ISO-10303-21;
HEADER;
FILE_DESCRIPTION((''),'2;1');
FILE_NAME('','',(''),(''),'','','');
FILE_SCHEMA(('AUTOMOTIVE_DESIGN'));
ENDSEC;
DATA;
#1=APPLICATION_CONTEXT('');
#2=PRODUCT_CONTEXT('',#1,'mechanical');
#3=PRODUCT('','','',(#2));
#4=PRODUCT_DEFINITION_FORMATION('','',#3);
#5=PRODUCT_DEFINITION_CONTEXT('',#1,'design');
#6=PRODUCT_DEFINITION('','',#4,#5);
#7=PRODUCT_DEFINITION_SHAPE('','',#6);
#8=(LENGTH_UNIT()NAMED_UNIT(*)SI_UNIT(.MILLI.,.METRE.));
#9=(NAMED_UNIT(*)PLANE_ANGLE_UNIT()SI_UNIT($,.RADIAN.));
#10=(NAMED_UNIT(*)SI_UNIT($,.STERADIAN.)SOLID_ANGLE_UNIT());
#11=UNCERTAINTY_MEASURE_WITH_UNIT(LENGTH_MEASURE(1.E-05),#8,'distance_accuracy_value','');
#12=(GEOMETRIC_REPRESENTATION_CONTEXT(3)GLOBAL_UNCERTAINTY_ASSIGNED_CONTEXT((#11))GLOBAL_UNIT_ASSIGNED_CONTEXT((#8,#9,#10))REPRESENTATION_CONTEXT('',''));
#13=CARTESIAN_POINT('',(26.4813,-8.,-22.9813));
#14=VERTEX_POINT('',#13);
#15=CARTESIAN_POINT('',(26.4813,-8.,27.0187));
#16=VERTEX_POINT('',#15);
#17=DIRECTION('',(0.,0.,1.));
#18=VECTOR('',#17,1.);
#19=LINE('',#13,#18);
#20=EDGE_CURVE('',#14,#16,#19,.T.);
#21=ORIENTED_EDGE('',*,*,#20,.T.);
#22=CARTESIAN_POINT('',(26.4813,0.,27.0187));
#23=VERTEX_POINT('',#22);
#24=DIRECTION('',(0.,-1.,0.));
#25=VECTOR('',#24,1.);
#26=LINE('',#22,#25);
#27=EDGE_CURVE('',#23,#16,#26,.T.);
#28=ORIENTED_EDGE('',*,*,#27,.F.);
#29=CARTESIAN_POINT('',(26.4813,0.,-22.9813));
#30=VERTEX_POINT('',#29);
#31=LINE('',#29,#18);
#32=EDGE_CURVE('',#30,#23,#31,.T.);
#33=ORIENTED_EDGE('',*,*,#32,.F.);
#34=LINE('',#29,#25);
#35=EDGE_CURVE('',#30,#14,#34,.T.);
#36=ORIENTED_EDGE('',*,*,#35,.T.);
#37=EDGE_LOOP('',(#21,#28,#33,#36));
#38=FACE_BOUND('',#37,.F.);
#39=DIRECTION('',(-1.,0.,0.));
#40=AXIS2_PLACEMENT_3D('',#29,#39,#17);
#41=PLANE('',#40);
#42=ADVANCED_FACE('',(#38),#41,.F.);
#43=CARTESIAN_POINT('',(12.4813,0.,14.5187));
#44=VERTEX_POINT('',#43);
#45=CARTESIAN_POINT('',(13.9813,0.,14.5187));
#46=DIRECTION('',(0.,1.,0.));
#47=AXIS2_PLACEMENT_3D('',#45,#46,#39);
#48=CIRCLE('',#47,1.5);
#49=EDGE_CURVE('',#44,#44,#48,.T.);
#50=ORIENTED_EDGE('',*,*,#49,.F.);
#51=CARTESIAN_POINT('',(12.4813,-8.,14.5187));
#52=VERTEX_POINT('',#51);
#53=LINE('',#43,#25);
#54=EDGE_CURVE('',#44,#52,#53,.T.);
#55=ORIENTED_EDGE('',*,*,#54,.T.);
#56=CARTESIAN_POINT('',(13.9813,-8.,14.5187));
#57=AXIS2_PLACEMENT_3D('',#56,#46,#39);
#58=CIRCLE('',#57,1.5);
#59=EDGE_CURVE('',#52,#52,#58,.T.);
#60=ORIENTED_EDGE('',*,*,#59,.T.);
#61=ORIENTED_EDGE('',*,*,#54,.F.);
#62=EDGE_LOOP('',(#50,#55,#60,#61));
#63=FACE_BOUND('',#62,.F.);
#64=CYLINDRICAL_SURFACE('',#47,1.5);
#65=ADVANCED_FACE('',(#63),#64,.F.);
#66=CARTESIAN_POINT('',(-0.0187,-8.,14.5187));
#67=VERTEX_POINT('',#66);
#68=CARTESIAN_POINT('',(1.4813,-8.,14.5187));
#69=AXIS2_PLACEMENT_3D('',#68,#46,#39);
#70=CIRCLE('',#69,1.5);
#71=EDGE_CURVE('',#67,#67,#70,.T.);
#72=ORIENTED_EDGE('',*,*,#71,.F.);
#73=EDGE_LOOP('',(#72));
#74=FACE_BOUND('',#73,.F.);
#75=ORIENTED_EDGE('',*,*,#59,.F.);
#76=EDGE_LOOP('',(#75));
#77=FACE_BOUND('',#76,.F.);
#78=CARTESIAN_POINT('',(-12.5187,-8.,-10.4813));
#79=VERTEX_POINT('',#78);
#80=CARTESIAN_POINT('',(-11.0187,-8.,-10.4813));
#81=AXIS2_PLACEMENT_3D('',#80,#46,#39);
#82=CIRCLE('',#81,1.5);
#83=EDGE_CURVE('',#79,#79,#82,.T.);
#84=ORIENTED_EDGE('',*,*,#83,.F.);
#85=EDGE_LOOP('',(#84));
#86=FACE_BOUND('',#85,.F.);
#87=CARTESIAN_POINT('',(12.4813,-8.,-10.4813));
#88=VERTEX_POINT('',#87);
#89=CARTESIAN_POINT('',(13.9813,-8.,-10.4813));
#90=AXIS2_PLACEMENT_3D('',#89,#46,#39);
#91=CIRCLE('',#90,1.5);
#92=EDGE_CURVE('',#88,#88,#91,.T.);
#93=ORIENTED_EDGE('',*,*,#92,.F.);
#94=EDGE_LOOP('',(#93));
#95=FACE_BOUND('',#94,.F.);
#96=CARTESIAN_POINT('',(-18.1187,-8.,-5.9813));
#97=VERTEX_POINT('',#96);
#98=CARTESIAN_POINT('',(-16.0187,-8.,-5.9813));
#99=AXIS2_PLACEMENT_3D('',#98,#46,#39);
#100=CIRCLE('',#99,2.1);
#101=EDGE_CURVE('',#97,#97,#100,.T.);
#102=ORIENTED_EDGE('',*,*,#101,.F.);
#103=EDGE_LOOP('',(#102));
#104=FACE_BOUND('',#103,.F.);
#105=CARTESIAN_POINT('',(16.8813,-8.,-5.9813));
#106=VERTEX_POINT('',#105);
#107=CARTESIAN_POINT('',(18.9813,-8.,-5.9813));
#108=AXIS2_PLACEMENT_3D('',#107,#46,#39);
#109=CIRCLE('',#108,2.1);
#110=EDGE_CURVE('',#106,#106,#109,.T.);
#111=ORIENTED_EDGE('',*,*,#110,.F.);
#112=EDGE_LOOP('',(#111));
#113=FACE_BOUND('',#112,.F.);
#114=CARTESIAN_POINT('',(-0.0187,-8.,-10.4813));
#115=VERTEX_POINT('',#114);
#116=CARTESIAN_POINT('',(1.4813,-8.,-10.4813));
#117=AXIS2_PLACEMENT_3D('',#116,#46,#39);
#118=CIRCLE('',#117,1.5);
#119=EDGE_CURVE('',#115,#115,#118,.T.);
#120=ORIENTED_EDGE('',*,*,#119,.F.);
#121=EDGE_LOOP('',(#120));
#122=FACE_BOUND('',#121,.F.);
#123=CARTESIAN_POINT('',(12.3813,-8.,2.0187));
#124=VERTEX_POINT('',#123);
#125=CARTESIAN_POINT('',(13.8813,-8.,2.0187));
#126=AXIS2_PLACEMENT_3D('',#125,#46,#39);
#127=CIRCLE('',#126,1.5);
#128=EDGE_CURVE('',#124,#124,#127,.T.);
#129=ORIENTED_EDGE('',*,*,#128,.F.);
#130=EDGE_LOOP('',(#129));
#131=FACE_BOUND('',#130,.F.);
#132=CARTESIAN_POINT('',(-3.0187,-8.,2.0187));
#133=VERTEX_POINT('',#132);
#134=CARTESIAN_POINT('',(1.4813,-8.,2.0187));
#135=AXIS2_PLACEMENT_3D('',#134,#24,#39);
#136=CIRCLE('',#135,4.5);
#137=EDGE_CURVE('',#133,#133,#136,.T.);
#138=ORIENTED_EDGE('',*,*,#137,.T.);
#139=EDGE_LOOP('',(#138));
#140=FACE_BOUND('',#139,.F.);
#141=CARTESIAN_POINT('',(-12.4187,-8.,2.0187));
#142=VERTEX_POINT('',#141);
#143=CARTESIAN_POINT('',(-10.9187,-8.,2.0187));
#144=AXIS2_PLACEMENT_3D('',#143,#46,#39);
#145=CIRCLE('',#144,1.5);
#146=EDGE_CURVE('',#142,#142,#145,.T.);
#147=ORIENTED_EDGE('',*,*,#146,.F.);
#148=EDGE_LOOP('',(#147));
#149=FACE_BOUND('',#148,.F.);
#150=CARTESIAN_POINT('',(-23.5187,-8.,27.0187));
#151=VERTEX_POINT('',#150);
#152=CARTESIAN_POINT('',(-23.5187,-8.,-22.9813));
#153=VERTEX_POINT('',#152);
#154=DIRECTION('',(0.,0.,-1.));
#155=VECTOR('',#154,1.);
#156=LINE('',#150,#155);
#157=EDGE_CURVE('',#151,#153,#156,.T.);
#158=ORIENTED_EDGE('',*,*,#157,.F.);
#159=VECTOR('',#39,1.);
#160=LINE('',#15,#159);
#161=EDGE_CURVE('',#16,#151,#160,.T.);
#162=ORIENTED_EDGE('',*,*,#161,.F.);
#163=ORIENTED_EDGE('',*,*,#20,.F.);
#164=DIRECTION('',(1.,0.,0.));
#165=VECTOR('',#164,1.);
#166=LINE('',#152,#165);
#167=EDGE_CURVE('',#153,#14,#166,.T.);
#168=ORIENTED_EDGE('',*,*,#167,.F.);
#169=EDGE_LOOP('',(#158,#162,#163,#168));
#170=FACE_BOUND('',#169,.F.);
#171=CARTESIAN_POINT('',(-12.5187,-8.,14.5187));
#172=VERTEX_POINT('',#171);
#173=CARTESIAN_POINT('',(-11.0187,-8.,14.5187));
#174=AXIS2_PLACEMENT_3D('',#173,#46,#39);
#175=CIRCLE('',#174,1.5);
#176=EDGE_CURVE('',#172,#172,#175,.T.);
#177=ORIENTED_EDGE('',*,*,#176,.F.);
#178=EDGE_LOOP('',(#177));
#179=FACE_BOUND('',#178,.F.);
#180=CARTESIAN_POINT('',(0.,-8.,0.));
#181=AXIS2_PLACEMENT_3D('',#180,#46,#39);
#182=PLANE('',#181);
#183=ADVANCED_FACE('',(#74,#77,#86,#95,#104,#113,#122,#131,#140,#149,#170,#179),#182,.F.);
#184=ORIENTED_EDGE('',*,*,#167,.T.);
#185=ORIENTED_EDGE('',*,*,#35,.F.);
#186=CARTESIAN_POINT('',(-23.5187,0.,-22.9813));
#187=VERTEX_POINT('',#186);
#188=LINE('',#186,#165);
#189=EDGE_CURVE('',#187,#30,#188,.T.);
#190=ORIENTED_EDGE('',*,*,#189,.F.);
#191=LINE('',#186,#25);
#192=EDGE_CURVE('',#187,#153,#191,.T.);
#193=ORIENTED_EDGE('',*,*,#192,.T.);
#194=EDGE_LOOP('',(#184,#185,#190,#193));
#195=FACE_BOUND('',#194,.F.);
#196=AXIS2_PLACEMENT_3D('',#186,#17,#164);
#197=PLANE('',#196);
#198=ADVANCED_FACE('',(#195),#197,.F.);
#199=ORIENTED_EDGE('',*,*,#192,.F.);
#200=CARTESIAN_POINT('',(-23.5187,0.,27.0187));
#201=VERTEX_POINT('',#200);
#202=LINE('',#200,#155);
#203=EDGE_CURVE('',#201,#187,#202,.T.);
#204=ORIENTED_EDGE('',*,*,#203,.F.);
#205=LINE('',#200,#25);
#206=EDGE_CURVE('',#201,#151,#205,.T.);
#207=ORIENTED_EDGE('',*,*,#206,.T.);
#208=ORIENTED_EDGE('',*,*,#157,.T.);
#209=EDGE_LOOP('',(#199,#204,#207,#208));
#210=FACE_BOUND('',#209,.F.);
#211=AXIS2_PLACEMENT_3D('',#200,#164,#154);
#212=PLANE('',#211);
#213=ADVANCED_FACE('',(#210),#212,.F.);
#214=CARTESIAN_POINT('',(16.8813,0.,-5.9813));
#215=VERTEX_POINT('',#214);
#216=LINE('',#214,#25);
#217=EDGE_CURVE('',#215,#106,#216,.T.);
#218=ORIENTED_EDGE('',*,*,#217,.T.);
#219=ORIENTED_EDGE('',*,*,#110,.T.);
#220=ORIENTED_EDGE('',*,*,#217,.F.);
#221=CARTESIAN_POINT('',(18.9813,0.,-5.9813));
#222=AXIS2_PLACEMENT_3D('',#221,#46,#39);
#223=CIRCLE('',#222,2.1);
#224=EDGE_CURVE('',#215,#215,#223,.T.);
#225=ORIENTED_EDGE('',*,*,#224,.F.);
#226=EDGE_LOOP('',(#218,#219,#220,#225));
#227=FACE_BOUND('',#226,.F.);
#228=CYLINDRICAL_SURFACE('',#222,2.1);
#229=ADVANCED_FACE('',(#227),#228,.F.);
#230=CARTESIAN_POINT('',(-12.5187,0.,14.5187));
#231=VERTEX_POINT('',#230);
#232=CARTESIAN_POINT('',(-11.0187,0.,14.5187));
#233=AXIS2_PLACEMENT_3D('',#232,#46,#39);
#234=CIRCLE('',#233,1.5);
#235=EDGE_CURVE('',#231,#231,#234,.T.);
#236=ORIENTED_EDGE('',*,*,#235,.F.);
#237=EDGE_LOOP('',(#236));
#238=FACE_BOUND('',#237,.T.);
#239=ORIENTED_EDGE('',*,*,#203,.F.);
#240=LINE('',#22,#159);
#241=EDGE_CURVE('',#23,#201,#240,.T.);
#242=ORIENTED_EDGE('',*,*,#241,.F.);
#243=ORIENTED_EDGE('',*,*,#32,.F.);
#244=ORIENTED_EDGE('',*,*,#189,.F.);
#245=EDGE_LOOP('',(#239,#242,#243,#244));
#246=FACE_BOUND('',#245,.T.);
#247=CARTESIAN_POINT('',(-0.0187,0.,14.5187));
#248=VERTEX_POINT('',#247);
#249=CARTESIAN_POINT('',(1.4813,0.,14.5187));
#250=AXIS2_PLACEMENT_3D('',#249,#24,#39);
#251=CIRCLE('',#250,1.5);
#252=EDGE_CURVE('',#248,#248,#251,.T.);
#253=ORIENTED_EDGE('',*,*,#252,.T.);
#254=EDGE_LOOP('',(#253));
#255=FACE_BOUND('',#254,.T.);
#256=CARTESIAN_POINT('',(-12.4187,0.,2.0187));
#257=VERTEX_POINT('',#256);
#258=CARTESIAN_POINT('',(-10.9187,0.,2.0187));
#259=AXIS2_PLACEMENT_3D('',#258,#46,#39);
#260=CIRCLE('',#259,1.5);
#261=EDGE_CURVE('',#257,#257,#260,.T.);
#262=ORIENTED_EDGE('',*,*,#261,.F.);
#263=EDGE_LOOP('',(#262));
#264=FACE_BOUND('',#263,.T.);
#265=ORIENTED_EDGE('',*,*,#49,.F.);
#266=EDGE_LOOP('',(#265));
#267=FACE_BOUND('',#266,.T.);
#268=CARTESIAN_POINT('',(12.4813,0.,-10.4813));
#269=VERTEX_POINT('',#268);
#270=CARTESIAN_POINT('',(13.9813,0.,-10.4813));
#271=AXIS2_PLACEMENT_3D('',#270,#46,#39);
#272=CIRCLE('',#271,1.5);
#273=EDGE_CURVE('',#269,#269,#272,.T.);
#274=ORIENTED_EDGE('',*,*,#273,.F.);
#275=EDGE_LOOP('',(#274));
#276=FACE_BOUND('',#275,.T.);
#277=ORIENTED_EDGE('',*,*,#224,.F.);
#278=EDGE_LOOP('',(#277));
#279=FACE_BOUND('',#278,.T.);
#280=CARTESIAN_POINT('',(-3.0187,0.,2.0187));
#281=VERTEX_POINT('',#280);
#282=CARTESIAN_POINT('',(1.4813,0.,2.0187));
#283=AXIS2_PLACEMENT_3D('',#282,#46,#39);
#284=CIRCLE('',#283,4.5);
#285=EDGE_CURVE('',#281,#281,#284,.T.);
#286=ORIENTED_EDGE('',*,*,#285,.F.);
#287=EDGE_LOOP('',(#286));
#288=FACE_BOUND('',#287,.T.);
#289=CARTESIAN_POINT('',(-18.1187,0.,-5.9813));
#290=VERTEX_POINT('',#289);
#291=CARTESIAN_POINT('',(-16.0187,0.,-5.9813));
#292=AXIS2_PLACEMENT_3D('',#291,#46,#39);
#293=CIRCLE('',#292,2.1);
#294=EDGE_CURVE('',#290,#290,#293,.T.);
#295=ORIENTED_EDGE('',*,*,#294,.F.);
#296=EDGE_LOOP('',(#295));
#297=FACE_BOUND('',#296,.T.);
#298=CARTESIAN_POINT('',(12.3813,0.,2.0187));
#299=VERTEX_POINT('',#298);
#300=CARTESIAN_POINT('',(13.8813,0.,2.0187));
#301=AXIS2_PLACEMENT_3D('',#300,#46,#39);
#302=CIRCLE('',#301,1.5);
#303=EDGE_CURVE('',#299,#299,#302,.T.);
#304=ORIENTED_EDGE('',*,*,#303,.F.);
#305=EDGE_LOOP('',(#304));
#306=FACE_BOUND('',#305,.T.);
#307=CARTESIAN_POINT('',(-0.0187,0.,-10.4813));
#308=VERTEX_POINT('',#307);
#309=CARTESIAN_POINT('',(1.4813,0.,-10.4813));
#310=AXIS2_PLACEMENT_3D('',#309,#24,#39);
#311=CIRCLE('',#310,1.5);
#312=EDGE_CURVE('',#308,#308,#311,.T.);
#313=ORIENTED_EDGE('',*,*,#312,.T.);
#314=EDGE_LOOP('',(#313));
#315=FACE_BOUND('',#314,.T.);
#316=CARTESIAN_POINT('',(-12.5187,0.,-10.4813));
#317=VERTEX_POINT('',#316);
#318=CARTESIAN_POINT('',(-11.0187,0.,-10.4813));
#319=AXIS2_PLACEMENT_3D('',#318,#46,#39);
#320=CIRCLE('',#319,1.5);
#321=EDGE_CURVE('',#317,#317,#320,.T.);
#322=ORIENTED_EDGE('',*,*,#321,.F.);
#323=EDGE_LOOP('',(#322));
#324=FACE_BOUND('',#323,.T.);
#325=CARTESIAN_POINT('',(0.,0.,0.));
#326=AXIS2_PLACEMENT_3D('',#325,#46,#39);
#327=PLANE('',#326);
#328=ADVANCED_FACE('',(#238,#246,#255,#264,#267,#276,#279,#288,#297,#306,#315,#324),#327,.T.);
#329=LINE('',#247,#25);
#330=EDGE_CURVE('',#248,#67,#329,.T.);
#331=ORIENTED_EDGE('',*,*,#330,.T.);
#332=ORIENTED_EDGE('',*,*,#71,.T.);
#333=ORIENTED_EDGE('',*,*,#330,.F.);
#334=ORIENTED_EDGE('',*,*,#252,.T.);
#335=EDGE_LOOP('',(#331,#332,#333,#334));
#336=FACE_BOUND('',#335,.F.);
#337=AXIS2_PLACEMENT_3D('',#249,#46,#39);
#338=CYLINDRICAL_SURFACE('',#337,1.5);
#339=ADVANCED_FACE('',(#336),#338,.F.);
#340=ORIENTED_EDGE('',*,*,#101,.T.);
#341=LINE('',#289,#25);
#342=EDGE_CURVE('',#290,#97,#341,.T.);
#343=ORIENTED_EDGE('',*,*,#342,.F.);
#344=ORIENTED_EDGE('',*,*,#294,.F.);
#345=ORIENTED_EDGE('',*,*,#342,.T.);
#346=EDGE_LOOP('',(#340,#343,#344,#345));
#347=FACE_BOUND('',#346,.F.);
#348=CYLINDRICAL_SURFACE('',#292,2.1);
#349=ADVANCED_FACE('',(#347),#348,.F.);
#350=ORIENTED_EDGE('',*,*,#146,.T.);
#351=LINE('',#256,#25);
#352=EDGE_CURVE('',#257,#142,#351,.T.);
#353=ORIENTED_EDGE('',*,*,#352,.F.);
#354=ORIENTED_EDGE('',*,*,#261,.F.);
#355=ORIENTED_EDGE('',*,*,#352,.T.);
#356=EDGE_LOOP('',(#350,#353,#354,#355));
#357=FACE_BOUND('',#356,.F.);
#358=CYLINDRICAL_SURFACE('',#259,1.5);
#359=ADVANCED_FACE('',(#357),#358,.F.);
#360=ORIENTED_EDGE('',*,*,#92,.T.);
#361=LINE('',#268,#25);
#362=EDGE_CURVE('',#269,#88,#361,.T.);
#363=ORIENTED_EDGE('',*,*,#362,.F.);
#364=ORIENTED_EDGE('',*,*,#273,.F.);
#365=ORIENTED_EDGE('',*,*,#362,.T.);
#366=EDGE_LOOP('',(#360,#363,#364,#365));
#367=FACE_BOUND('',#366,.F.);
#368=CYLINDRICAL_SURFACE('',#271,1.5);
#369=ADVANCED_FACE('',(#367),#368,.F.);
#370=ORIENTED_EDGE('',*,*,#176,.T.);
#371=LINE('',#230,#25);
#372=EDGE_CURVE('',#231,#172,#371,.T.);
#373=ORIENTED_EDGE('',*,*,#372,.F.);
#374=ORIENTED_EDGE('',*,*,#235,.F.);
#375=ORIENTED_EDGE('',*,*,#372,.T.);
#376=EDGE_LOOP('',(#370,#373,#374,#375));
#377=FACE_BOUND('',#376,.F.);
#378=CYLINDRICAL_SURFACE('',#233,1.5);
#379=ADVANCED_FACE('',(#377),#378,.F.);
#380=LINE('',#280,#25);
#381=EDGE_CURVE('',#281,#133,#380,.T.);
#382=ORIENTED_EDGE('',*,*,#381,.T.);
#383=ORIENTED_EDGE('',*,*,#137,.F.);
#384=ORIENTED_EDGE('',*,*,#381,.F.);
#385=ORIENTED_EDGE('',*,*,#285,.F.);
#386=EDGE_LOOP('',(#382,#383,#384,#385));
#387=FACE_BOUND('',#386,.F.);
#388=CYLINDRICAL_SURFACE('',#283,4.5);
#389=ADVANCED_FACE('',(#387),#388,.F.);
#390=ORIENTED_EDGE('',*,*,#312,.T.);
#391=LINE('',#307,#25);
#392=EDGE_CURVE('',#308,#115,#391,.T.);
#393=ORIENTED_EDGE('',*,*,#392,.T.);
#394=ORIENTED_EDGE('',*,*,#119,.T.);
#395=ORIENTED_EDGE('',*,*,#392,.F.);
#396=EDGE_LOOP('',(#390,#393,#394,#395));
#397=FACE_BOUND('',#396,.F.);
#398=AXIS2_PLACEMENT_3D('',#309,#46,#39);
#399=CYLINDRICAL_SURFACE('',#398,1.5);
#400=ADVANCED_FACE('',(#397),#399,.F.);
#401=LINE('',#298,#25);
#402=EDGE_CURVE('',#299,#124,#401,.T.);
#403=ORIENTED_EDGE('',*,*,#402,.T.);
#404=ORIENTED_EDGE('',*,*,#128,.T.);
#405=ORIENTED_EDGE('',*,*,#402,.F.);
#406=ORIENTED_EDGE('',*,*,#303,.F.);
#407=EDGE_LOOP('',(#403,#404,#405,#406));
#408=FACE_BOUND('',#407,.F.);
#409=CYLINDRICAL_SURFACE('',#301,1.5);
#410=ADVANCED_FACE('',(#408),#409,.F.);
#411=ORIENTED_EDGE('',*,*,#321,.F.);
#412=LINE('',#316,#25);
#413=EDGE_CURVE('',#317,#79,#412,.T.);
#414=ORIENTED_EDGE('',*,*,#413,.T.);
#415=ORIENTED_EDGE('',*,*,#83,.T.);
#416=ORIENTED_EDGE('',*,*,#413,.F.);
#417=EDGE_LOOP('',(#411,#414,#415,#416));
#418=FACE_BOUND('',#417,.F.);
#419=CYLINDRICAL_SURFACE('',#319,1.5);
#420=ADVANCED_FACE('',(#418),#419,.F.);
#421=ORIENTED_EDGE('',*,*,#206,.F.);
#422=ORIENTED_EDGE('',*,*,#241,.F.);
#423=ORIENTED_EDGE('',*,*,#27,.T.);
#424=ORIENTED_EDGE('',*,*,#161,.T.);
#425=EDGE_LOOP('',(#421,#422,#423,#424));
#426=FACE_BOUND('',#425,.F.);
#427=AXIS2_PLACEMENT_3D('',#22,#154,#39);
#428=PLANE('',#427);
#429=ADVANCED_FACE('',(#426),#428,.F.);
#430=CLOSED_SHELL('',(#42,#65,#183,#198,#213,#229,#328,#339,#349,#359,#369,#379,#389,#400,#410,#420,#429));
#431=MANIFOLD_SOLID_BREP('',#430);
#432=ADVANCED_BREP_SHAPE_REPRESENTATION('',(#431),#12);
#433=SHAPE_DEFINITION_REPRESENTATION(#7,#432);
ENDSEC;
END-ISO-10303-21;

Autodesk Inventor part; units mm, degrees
ref_plane "YZ Plane" through (0, 0, 0) normal (1, 0, 0) x (0, 1, 0)
ref_plane "XZ Plane" through (0, 0, 0) normal (0, 1, 0) x (-1, 0, 0)
ref_plane "XY Plane" through (0, 0, 0) normal (0, 0, 1) x (1, 0, 0)
sketch "Sketch1" plane through (0, 0, 0) normal (0, 1, 0) x (-1, 0, 0)
  circle A0 centre (-1.4813, 2.0187) radius 4.5
  circle A1 centre (16.0187, -5.9813) radius 2.1
  circle A2 centre (-18.9813, -5.9813) radius 2.1
  arc A3 (-18.9813, -2.4813) -> (-18.9813, -9.4813) centre (-18.9813, -5.9813) ccw
  arc A4 (16.0187, -9.4813) -> (16.0187, -2.4813) centre (16.0187, -5.9813) ccw
  line L0 (8.5187, -7.9813) -> (-11.4813, -7.9813)
  line L1 (-11.4813, -7.9813) -> (-11.4813, 12.0187)
  line L2 (-11.4813, 12.0187) -> (8.5187, 12.0187)
  line L3 (8.5187, 12.0187) -> (8.5187, -7.9813)
  line L4 (8.5187, -7.9813) -> (-11.4813, 12.0187) construction
  line L5 (-11.4813, -7.9813) -> (8.5187, 12.0187) construction
  line L6 (-16.4813, 17.0187) -> (13.5187, 17.0187)
  line L7 (13.5187, 17.0187) -> (13.5187, -12.9813)
  line L8 (13.5187, -12.9813) -> (-16.4813, -12.9813)
  line L9 (-16.4813, -12.9813) -> (-16.4813, 17.0187)
  line L10 (-16.4813, 17.0187) -> (13.5187, -12.9813) construction
  line L11 (13.5187, 17.0187) -> (-16.4813, -12.9813) construction
  circle A5 centre (10.9187, 2.0187) radius 1.5
  circle A6 centre (-1.4813, 14.5187) radius 1.5
  circle A7 centre (-1.4813, -10.4813) radius 1.5
  circle A8 centre (11.0187, -10.4813) radius 1.5
  circle A9 centre (11.0187, 14.5187) radius 1.5
  line L12 (-1.4813, -12.9813) -> (-1.4813, 17.0187)
  circle A10 centre (-13.9813, -10.4813) radius 1.5
  circle A11 centre (-13.8813, 2.0187) radius 1.5
  circle A12 centre (-13.9813, 14.5187) radius 1.5
  line L13 (-26.4813, 27.0187) -> (23.5187, 27.0187)
  line L14 (23.5187, 27.0187) -> (23.5187, -22.9813)
  line L15 (23.5187, -22.9813) -> (-26.4813, -22.9813)
  line L16 (-26.4813, -22.9813) -> (-26.4813, 27.0187)
  line L17 (-26.4813, 27.0187) -> (23.5187, -22.9813) construction
  line L18 (23.5187, 27.0187) -> (-26.4813, -22.9813) construction
  point P0 (0, 0)
  point P1 (-1.4813, -5.9813)
  point P2 (-1.4813, 2.0187)
  point P3 (8.5187, 2.0187)
  dimension "d0" = 20
  dimension "d1" = 20
  dimension "d2" = 30
  dimension "d3" = 30
  dimension "d4" = 3
  dimension "d5" = 3
  dimension "d6" = 3
  dimension "d7" = 12.5
  dimension "d8" = 12.4
  dimension "d9" = 12.5
  dimension "d10" = 3
  dimension "d11" = 3
  dimension "d12" = 12.5
  dimension "d13" = 50
  dimension "d14" = 50
extrude "Extrusion1" add sketch "Sketch1" against normal blind 8 contours A0 L12 L2 L3 L0 | A0 L12 L0 L1 L2 | L12 A6 L6 L7 L8 A7 L0 L3 L2 | L2 L1 L0 L12 A7 L8 L9 L6 A6 | L13 L14 L15 L16
thread "Thread1" size "M4.5x0.75" class "6H" standard "ISO Metric profile" length 8
thread "Thread2" size "M4.5x0.75" class "6H" standard "ISO Metric profile" length 8
thread "Thread3" size "M3x0.5" class "6H" standard "ISO Metric profile" length 8
thread "Thread4" size "M3x0.5" class "6H" standard "ISO Metric profile" length 8
thread "Thread5" size "M3x0.5" class "6H" standard "ANSI Metric M Profile" length 8
thread "Thread6" size "M3x0.5" class "6H" standard "ISO Metric profile" length 8
thread "Thread7" size "M3x0.5" class "6H" standard "ISO Metric profile" length 8
thread "Thread8" size "M3x0.5" class "6H" standard "ISO Metric profile" length 8
thread "Thread9" size "M3x0.5" class "6H" standard "ISO Metric profile" length 8
thread "Thread10" size "M3x0.5" class "6H" standard "ISO Metric profile" length 8
properties part number "liftmotorfloor"
